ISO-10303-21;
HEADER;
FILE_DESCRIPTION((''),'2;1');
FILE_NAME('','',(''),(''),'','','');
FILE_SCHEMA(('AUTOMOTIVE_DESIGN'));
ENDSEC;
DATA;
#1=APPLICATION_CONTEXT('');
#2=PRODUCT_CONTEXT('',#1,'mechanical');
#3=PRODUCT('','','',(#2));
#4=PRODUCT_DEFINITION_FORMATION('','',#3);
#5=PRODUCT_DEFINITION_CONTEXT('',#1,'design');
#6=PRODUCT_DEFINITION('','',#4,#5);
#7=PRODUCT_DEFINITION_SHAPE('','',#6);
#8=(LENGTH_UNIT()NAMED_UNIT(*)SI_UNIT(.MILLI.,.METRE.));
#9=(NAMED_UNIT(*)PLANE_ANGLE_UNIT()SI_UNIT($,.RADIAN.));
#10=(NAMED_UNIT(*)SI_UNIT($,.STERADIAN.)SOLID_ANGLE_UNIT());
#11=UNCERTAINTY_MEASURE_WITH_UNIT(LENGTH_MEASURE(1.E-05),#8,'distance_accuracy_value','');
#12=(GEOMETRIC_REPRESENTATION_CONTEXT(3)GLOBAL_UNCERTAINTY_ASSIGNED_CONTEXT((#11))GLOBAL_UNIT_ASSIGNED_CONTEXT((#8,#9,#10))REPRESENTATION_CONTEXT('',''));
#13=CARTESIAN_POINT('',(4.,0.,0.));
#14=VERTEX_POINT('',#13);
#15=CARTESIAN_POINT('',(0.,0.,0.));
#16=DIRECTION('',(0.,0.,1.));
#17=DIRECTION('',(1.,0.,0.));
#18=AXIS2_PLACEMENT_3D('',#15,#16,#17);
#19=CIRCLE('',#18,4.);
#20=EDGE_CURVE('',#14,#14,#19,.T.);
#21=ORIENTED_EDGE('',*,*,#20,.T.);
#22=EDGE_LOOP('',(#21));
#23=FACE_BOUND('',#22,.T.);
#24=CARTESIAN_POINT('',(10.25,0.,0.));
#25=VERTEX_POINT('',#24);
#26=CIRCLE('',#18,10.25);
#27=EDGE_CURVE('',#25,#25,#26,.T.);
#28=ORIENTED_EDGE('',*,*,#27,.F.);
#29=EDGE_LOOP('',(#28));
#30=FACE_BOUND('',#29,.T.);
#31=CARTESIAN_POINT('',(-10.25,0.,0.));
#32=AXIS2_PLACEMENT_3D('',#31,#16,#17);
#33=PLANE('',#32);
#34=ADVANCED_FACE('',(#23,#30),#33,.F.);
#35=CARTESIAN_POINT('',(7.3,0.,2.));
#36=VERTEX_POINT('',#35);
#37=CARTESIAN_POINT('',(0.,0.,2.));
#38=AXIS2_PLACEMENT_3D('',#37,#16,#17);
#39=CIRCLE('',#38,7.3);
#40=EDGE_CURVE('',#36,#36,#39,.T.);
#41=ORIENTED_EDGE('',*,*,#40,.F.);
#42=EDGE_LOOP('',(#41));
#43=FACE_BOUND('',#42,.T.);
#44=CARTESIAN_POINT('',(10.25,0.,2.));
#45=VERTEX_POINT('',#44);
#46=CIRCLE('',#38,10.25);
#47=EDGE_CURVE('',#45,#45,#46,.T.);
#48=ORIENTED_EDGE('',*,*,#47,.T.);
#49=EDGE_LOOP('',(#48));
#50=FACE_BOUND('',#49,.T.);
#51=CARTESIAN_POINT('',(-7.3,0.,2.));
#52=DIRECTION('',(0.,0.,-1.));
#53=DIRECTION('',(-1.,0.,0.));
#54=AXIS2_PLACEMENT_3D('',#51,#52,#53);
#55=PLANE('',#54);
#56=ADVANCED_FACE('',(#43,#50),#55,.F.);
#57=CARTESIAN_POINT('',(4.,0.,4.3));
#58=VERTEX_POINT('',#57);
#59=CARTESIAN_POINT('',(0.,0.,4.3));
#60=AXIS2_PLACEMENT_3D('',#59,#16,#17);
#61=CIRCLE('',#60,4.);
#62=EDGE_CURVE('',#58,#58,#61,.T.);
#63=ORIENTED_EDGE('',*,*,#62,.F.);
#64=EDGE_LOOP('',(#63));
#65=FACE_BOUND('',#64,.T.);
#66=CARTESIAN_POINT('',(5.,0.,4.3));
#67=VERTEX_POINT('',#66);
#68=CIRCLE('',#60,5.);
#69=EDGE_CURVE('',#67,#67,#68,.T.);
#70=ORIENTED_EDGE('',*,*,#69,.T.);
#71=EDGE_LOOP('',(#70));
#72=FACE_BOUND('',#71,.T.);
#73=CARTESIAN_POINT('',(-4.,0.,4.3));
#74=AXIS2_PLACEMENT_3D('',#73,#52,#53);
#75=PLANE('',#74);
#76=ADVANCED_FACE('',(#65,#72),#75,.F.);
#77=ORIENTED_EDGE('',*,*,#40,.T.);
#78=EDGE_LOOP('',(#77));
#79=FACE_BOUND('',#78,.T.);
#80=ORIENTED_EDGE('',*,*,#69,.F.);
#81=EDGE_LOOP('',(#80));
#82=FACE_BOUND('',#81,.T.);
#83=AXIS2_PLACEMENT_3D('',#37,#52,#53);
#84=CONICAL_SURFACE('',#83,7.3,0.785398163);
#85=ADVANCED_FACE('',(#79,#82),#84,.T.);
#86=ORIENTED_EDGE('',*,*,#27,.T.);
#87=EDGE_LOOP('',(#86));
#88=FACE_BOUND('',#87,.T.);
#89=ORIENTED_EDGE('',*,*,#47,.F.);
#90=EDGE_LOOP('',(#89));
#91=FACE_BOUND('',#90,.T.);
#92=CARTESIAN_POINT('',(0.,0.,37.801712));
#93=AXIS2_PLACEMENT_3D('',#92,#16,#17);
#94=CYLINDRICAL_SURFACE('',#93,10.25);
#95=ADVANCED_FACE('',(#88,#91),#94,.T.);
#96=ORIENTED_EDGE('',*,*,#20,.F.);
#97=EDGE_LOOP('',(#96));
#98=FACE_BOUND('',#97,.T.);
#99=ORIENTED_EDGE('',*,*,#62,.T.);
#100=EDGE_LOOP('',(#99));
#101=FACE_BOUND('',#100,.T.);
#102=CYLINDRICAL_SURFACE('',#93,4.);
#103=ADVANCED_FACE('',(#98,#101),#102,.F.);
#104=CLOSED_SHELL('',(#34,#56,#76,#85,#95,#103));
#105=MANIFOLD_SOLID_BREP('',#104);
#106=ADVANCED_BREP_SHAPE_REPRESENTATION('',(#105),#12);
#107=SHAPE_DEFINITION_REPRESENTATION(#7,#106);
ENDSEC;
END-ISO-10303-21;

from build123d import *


with BuildPart() as part:
    # Sketch1 → Revolve1 (revolve)
    with BuildSketch(Plane(origin=(0, 0, 0), x_dir=(1, 0, 0), z_dir=(0, 1, 0)), mode=Mode.PRIVATE) as revolve1_sk:
        Polygon((-10.25, 0), (-4, 0), (-4, -4.3), (-5, -4.3), (-7.3, -2), (-10.25, -2), align=None)
    revolve(revolve1_sk.sketch.rotate(Axis((0, 0, 37.801712406), (0, 0, -1)), 180), axis=Axis((0, 0, 37.801712406), (0, 0, -1)))


solid = part.part
